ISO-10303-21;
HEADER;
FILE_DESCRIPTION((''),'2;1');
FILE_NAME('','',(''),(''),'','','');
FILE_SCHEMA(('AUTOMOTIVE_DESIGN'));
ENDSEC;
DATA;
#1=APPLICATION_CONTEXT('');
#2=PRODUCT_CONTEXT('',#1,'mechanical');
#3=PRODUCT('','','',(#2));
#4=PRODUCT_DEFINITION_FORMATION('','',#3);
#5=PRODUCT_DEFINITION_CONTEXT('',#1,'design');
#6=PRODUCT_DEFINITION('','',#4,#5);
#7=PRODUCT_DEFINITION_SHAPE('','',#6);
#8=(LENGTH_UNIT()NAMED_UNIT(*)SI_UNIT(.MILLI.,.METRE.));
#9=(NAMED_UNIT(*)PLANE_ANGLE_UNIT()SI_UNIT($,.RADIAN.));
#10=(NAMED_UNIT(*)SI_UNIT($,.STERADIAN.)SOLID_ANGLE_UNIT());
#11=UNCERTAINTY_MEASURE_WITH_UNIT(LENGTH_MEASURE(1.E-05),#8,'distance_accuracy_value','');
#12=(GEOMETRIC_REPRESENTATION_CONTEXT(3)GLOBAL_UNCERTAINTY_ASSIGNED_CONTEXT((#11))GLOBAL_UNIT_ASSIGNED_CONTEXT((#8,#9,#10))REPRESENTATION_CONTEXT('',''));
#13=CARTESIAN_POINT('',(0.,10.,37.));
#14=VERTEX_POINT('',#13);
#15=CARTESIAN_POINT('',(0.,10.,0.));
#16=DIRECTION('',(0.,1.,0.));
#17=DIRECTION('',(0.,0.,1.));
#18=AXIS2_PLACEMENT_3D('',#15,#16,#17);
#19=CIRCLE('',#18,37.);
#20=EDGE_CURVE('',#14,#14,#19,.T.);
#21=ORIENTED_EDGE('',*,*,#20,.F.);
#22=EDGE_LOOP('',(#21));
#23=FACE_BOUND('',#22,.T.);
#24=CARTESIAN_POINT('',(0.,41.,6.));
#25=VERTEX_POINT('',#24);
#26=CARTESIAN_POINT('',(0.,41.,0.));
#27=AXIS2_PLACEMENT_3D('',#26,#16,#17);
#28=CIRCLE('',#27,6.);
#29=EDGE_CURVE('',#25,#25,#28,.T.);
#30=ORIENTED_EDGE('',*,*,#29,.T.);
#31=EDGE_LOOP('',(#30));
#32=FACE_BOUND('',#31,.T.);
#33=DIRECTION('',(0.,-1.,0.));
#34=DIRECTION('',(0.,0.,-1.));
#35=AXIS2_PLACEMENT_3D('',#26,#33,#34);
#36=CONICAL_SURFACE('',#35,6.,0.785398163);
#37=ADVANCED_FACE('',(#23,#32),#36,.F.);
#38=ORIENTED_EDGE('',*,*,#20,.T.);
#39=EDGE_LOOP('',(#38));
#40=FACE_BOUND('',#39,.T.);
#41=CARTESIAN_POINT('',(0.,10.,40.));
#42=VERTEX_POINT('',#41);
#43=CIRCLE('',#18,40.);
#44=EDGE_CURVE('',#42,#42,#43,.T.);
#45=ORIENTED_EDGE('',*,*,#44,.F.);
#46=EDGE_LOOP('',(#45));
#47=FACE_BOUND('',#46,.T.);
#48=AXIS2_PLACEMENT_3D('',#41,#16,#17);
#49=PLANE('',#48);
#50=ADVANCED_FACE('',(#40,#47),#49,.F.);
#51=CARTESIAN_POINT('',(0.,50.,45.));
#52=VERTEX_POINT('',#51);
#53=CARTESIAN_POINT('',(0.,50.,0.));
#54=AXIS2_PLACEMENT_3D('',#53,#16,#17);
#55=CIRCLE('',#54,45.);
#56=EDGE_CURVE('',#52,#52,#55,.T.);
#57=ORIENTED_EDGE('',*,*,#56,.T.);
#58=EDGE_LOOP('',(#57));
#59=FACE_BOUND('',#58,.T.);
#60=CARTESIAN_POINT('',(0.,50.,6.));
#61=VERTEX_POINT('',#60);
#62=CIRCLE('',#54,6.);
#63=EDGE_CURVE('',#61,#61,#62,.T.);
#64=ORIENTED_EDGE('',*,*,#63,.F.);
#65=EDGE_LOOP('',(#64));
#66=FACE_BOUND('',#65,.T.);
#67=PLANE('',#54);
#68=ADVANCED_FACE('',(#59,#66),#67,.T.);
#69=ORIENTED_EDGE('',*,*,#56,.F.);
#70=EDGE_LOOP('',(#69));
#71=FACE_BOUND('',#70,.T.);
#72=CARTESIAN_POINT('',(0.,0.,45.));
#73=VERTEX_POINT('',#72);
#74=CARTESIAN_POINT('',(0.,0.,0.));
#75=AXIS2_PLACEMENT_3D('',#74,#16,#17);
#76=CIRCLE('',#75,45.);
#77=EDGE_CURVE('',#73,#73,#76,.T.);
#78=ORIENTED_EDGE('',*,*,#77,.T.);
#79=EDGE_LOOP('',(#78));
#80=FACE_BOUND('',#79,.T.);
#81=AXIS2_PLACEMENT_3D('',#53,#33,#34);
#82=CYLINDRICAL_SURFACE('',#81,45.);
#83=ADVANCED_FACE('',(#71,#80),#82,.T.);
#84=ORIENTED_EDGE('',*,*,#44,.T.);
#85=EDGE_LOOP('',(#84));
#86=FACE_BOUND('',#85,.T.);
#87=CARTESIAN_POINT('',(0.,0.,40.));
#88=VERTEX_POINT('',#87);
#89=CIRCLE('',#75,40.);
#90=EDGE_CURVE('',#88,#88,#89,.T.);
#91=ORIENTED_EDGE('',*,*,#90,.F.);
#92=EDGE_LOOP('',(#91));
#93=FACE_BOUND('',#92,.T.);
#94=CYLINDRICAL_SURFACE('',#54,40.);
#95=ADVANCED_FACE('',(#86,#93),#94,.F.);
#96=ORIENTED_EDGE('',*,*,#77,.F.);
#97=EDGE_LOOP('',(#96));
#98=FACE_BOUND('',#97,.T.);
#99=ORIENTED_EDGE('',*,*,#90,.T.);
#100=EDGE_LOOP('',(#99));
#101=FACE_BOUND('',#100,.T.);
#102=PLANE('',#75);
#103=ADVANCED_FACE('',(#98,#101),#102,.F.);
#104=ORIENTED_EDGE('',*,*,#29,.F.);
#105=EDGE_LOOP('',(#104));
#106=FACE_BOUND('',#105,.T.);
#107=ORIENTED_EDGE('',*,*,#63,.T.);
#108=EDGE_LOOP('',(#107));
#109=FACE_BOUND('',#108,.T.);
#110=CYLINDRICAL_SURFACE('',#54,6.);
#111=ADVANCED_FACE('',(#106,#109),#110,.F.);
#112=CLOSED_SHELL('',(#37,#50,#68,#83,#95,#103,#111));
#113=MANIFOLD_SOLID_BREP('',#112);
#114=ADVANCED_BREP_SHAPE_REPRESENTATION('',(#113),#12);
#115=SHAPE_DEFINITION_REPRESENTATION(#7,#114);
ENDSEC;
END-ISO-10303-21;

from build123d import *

# Parameters (mm, degrees)
SKETCH1_R           = 45
BOSS_EXTRUDE1_DEPTH = 50


with BuildPart() as part:
    # Sketch1 → Boss-Extrude1 (new body)
    with BuildSketch(Plane(origin=(0, 0, 0), x_dir=(1, 0, 0), z_dir=(0, 1, 0))):
        Circle(SKETCH1_R)
    extrude(amount=BOSS_EXTRUDE1_DEPTH)

    # Sketch2 → Cut-Revolve1 (revolve, cut)
    with BuildSketch(Plane(origin=(0, 0, 0), x_dir=(0, 0, -1), z_dir=(1, 0, 0))):
        Polygon((0, 50), (0, 0), (-40, 0), (-40, 10), (-37, 10), (-6, 41), (-6, 50), align=None)
    revolve(axis=Axis((0, 50, 0), (0, -1, 0)), mode=Mode.SUBTRACT)


solid = part.part
